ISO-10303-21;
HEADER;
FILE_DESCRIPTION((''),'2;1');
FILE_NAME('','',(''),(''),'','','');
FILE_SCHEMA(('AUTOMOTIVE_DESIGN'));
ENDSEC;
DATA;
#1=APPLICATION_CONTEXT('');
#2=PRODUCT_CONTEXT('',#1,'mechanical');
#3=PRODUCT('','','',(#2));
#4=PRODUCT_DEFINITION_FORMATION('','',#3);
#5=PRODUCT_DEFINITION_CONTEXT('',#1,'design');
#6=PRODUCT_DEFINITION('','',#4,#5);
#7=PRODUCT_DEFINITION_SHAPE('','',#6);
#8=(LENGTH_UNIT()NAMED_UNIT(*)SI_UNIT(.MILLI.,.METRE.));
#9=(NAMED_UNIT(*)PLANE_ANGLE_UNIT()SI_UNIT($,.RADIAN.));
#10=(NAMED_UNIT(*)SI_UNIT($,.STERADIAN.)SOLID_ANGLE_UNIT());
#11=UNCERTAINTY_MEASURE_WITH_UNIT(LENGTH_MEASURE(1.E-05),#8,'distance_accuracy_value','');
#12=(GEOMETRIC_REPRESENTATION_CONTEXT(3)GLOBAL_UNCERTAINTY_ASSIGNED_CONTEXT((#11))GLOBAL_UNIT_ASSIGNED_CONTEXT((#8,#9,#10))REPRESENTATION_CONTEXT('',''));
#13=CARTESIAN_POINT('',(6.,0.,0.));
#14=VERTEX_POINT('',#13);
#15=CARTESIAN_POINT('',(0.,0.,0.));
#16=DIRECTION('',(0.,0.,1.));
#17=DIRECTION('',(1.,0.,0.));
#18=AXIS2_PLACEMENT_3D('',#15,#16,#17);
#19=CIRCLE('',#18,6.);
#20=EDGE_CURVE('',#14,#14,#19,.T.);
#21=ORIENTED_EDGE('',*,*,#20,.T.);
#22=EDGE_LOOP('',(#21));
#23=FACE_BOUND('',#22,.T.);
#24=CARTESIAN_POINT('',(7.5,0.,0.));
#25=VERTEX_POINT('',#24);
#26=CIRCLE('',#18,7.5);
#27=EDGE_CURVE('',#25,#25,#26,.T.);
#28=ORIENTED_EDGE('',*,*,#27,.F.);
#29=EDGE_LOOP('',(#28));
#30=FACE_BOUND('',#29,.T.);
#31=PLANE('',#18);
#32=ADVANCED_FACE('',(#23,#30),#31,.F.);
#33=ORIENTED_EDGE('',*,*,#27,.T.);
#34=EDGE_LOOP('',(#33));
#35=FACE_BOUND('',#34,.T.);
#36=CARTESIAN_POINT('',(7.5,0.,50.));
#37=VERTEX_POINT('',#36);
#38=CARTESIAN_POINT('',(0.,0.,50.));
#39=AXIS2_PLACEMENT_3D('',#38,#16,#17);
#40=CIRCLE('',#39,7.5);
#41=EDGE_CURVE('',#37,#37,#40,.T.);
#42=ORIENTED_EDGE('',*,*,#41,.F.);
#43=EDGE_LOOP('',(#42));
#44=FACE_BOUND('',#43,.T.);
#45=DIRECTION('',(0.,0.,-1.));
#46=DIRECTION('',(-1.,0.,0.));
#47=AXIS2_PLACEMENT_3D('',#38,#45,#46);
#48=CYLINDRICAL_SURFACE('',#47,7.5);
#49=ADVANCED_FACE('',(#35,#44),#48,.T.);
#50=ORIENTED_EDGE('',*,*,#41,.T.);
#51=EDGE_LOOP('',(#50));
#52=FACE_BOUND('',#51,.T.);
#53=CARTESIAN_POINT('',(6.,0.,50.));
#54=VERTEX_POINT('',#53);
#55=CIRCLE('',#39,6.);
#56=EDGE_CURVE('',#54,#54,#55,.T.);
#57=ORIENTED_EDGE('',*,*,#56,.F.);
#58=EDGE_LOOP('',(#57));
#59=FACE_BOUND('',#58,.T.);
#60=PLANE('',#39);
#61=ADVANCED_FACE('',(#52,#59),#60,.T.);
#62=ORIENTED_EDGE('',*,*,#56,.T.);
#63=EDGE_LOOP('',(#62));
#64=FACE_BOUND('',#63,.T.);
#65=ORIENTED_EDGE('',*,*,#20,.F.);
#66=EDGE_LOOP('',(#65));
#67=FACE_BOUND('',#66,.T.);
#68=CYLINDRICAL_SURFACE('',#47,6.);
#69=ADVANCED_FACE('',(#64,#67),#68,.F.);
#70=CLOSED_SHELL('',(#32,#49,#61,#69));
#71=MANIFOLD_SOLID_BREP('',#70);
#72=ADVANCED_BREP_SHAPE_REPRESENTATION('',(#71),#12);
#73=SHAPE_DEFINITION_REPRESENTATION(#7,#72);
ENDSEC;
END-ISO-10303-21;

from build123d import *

# Parameters (mm, degrees)
SKETCH1_R           = 7.5
SKETCH1_R_2         = 6
BOSS_EXTRUDE1_DEPTH = 50


with BuildPart() as part:
    # Sketch1 → Boss-Extrude1 (new body)
    with BuildSketch(Plane.XY):
        Circle(SKETCH1_R)
        Circle(SKETCH1_R_2, mode=Mode.SUBTRACT)
    extrude(amount=BOSS_EXTRUDE1_DEPTH)


solid = part.part
